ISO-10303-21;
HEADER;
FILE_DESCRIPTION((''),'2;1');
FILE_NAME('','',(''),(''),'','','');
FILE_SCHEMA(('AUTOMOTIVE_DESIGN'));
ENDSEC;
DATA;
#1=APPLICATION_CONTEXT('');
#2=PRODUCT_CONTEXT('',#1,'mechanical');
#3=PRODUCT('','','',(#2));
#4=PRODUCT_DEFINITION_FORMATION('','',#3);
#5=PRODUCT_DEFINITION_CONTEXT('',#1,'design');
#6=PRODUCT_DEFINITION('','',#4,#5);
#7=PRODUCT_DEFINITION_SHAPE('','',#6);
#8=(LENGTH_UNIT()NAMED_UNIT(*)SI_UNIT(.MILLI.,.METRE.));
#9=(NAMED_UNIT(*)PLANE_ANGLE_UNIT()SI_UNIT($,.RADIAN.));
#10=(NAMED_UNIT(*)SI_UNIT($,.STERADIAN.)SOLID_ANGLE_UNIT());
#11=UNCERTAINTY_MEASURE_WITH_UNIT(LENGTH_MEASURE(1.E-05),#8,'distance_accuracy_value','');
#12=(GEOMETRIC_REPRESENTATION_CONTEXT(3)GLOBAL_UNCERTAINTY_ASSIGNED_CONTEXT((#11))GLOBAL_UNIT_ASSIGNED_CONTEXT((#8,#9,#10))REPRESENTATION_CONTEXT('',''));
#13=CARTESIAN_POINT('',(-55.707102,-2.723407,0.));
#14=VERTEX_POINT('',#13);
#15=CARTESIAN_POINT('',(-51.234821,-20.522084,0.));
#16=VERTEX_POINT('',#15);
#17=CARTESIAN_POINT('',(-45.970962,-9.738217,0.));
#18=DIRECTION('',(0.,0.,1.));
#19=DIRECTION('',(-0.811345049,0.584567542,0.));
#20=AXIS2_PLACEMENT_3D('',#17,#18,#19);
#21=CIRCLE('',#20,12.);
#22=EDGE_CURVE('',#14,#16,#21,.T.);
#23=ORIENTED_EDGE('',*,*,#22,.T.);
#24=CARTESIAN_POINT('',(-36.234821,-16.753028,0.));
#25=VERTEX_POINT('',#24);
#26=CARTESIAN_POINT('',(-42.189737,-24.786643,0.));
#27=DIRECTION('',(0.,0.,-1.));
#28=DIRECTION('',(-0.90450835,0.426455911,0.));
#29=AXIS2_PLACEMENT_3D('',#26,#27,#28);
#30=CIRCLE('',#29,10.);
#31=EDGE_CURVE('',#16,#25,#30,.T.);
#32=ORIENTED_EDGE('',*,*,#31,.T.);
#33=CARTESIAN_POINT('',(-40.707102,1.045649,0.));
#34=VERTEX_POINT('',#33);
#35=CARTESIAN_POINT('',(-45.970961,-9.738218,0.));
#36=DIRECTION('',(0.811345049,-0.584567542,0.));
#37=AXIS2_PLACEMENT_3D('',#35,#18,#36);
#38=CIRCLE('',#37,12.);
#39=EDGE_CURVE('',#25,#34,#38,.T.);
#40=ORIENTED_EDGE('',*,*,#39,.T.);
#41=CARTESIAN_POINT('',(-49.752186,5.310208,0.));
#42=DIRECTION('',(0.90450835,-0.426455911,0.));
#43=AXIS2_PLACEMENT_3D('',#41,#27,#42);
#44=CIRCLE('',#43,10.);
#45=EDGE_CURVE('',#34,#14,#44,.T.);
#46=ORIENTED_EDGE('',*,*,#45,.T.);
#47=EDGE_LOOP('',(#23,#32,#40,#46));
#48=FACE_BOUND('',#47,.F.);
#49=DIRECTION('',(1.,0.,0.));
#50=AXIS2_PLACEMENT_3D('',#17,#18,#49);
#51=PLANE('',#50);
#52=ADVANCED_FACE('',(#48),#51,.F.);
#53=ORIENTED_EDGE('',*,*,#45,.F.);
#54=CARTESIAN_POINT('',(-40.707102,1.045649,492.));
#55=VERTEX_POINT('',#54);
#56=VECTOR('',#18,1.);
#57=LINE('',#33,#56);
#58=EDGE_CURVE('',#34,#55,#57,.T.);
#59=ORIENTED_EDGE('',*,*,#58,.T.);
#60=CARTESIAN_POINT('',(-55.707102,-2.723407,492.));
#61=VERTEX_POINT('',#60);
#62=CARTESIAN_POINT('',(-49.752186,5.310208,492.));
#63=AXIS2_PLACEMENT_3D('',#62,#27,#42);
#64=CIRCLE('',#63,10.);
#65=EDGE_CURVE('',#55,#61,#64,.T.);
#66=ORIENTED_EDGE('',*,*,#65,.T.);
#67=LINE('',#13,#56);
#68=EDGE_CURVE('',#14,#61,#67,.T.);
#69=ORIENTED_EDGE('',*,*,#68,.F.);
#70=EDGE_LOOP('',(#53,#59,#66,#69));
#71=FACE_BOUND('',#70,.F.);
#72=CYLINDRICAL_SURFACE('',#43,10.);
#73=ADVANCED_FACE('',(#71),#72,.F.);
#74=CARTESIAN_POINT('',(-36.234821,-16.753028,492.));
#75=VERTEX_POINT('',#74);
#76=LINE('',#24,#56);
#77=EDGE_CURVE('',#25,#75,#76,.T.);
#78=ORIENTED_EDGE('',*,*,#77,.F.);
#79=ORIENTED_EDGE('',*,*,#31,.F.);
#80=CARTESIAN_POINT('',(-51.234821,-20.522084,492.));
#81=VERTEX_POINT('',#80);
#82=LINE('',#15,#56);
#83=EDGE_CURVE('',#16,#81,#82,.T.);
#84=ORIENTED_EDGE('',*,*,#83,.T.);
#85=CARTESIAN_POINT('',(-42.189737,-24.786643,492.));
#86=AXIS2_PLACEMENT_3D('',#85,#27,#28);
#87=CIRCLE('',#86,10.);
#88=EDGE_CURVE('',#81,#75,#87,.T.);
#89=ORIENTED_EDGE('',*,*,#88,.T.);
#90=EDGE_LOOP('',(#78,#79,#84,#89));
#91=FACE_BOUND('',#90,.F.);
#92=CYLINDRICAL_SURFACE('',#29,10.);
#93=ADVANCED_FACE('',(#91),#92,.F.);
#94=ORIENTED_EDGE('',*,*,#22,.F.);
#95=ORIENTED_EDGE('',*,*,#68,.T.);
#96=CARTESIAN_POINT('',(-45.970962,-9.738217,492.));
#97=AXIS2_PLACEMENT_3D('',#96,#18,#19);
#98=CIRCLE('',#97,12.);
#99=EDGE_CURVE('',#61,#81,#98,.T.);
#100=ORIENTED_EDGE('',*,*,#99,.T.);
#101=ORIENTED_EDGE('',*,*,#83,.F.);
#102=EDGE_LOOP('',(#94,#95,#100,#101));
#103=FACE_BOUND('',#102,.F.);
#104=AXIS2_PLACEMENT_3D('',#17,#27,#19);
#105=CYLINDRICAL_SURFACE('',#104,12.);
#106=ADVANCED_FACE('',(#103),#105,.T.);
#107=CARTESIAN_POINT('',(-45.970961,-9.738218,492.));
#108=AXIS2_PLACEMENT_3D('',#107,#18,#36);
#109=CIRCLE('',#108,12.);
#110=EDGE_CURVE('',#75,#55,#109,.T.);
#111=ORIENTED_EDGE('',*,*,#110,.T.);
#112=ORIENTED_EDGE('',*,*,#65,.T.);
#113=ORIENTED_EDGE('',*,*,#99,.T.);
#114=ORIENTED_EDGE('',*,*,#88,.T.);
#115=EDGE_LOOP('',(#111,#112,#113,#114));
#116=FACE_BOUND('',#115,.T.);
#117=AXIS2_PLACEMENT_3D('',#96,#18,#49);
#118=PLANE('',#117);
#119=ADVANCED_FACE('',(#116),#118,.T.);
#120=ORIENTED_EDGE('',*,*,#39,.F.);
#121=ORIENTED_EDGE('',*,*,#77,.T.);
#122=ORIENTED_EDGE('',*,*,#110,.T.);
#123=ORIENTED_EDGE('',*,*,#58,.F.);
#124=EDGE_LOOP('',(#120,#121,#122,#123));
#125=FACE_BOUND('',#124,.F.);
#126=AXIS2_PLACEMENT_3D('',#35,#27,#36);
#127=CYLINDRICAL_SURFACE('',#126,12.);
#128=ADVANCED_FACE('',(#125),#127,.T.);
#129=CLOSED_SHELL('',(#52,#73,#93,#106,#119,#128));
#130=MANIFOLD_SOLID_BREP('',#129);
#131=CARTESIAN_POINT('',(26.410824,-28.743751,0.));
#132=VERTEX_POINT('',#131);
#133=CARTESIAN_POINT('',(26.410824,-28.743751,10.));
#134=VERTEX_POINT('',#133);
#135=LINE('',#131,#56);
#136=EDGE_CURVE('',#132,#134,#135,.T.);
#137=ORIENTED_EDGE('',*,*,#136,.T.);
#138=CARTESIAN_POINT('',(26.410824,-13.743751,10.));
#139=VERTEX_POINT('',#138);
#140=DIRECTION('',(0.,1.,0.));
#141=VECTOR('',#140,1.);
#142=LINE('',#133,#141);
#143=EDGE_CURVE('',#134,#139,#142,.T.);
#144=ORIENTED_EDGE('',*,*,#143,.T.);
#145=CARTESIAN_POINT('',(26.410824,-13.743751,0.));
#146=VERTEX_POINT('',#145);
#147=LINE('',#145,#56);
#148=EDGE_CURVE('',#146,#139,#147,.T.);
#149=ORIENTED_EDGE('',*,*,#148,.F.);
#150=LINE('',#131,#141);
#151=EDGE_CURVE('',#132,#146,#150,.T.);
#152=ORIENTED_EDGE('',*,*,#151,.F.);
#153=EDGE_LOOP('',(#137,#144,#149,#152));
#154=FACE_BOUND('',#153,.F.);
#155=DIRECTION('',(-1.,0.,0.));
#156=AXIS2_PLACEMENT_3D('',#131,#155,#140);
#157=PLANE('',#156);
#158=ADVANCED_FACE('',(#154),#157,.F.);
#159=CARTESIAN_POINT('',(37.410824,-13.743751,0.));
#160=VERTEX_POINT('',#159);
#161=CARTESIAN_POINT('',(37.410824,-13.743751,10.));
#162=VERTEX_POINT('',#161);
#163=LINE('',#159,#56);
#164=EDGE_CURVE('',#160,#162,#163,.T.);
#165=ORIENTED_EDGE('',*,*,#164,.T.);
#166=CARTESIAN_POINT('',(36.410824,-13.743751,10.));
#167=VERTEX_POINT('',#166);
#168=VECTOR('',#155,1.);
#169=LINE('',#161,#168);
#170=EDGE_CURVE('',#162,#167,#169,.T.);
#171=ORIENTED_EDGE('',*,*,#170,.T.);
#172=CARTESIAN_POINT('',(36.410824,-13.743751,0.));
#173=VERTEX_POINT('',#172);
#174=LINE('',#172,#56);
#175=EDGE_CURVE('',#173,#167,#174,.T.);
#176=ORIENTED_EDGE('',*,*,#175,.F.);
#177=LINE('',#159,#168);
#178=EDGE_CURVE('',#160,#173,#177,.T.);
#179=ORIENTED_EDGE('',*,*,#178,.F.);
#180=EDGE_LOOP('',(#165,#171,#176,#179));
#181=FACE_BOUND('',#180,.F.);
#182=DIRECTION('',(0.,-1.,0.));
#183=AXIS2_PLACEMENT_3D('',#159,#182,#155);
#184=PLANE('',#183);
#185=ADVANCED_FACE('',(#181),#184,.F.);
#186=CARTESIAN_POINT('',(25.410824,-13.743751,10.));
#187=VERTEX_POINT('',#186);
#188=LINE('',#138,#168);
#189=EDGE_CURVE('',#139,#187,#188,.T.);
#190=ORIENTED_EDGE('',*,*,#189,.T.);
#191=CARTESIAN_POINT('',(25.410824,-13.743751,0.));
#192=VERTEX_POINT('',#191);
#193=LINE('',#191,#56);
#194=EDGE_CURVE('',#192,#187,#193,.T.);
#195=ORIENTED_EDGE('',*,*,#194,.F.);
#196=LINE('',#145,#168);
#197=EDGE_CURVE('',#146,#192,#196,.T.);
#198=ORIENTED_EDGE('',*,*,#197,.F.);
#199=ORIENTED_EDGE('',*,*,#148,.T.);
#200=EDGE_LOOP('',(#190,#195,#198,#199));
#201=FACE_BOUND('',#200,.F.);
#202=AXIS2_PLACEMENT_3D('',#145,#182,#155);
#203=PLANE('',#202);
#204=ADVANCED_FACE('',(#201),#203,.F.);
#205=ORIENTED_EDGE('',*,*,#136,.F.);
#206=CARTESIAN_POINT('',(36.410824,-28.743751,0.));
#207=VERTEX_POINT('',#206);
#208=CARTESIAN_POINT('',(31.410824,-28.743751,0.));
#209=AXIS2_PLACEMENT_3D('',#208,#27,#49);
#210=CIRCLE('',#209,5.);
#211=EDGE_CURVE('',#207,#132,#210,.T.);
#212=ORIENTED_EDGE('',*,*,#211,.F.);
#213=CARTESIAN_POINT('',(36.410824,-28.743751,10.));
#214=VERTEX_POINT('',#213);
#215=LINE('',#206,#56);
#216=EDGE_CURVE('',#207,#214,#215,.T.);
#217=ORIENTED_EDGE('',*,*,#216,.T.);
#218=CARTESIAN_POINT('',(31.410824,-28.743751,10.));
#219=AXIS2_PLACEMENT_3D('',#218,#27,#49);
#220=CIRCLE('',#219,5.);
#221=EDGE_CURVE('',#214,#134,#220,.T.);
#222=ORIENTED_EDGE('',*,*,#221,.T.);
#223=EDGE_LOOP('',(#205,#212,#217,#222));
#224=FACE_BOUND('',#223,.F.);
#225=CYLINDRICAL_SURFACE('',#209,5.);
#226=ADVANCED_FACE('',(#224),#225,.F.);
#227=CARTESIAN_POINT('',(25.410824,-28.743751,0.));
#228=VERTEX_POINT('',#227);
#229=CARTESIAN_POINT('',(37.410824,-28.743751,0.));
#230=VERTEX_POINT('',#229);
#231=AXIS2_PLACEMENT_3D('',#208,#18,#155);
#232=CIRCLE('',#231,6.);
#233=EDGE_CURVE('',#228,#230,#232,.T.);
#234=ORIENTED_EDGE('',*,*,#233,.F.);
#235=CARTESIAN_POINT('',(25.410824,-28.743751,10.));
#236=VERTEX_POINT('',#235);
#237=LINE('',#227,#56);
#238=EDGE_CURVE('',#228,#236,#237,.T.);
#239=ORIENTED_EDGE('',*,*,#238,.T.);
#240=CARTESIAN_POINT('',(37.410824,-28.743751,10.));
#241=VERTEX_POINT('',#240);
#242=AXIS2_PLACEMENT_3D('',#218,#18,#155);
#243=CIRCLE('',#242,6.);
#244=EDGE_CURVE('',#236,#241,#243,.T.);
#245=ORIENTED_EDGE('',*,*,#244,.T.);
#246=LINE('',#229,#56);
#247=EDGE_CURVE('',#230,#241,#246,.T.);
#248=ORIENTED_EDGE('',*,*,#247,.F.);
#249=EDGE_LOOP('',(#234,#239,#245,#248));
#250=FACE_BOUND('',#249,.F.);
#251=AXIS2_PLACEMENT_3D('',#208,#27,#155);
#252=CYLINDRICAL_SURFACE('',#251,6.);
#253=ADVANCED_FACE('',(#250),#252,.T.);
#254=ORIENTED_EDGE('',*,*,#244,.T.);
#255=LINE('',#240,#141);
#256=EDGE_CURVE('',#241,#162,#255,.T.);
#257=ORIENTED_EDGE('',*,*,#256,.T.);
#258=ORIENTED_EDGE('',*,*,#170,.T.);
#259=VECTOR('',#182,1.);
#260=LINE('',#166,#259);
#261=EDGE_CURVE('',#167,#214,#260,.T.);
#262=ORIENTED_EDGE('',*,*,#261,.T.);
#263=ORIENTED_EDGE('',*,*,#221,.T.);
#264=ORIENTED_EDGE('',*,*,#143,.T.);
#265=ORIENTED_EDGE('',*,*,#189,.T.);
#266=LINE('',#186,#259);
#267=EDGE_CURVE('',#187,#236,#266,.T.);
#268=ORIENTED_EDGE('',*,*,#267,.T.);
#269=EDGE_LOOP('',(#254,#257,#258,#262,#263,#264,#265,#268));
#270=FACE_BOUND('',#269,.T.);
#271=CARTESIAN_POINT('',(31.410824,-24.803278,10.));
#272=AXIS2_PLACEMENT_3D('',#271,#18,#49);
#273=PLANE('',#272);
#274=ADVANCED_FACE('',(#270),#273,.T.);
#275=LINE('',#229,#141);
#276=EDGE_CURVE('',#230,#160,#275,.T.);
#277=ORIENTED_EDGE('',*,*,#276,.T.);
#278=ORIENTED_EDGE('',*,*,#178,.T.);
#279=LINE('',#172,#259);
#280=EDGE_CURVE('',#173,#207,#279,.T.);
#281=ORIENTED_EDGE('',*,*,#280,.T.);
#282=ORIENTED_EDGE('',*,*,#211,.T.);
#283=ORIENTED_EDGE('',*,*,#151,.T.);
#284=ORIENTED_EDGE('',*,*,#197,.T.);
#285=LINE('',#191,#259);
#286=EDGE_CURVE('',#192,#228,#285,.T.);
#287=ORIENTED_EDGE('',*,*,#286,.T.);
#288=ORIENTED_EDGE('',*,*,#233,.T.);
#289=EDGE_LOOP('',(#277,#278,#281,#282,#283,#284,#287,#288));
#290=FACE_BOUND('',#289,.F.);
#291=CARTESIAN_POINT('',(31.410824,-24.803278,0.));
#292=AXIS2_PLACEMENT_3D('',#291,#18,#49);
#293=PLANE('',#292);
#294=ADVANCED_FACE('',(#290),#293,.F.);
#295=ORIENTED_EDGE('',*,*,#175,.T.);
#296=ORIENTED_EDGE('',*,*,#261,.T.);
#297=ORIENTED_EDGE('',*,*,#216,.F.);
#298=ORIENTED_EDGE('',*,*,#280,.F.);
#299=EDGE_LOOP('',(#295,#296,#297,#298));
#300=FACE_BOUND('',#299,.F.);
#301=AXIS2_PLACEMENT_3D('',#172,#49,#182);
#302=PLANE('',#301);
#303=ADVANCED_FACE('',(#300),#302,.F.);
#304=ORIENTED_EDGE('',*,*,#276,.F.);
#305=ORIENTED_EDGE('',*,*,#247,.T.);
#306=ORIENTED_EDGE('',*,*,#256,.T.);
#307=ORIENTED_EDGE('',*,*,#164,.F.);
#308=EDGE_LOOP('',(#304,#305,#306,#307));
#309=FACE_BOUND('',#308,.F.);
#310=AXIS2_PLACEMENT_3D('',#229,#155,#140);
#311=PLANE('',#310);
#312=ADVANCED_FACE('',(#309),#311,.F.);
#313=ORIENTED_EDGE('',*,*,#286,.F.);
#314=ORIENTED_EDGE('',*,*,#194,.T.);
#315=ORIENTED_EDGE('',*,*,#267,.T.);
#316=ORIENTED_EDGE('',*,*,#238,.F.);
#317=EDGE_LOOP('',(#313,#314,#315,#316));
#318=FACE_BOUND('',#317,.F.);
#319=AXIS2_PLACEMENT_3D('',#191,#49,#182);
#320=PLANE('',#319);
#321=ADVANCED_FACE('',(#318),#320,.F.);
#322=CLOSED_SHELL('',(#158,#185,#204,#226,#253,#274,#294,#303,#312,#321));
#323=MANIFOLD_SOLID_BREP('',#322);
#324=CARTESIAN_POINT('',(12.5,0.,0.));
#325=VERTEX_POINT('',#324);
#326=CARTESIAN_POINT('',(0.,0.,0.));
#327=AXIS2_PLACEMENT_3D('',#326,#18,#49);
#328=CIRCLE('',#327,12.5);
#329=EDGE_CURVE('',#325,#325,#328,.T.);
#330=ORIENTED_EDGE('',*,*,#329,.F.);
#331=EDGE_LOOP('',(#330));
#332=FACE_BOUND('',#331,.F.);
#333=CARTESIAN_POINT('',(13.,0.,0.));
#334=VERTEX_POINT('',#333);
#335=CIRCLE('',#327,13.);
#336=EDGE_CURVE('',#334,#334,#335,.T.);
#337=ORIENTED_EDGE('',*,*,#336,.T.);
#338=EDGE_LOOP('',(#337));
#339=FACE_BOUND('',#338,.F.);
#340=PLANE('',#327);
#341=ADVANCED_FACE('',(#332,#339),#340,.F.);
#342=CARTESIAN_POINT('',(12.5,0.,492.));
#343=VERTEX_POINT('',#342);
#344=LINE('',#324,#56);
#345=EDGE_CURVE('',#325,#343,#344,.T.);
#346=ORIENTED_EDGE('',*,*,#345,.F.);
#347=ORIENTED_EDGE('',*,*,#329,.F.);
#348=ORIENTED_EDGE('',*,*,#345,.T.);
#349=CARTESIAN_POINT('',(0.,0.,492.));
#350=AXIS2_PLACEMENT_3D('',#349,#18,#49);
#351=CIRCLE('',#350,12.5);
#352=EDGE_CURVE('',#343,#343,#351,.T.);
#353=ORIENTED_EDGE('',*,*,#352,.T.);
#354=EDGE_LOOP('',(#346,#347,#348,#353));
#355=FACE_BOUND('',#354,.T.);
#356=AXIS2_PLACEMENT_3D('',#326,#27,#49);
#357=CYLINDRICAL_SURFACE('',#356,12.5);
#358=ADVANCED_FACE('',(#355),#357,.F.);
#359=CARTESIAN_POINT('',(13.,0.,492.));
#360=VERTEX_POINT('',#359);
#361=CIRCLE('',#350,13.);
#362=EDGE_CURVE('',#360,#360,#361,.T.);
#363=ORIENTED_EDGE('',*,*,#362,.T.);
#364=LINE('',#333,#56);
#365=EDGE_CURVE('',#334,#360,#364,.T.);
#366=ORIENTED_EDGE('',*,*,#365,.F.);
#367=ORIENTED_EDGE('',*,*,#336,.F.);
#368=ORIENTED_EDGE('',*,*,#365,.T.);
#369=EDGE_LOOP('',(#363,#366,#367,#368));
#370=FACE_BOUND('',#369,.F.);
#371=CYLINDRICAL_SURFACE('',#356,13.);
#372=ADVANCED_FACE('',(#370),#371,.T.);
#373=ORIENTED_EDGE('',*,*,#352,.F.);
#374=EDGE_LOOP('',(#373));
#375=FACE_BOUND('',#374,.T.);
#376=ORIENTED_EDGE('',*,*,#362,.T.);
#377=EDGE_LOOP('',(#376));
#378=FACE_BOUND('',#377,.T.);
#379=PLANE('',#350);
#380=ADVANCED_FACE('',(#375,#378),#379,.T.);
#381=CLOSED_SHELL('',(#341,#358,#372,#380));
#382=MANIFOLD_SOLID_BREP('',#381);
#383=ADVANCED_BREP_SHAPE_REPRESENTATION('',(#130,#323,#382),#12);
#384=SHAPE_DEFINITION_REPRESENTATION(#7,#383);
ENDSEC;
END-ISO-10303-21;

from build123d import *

# Parameters (mm, degrees)
F0_R     = 13
F0_R_2   = 12.5
F1_DEPTH = 492
F3_DEPTH = 10


with BuildPart() as f1:
    # F0 (on Top) → F1 (new body)
    with BuildSketch(Plane.XY):
        Circle(F0_R)
        Circle(F0_R_2, mode=Mode.SUBTRACT)
        with BuildLine():
            ThreePointArc((-40.707102, 1.045649), (-47.315235, -4.388311), (-55.707102, -2.723407))
            ThreePointArc((-55.707102, -2.723407), (-57.609184, -12.662559), (-51.234821, -20.522084))
            ThreePointArc((-51.234821, -20.522084), (-44.626688, -15.088124), (-36.234821, -16.753028))
            ThreePointArc((-36.234821, -16.753028), (-34.332739, -6.813876), (-40.707102, 1.045649))
        make_face()
    extrude(amount=F1_DEPTH)


with BuildPart() as f3:
    # F2 (on Top) → F3 (new body)
    with BuildSketch(Plane.XY):
        with BuildLine():
            Line((26.410824, -28.743751), (26.410824, -13.743751))
            Line((26.410824, -13.743751), (25.410824, -13.743751))
            Line((25.410824, -13.743751), (25.410824, -28.743751))
            ThreePointArc((25.410824, -28.743751), (31.410824, -34.743751), (37.410824, -28.743751))
            Line((37.410824, -28.743751), (37.410824, -13.743751))
            Line((37.410824, -13.743751), (36.410824, -13.743751))
            Line((36.410824, -13.743751), (36.410824, -28.743751))
            ThreePointArc((36.410824, -28.743751), (31.410824, -33.743751), (26.410824, -28.743751))
        make_face()
    extrude(amount=F3_DEPTH)


solid = Compound([f1.part, f3.part])
